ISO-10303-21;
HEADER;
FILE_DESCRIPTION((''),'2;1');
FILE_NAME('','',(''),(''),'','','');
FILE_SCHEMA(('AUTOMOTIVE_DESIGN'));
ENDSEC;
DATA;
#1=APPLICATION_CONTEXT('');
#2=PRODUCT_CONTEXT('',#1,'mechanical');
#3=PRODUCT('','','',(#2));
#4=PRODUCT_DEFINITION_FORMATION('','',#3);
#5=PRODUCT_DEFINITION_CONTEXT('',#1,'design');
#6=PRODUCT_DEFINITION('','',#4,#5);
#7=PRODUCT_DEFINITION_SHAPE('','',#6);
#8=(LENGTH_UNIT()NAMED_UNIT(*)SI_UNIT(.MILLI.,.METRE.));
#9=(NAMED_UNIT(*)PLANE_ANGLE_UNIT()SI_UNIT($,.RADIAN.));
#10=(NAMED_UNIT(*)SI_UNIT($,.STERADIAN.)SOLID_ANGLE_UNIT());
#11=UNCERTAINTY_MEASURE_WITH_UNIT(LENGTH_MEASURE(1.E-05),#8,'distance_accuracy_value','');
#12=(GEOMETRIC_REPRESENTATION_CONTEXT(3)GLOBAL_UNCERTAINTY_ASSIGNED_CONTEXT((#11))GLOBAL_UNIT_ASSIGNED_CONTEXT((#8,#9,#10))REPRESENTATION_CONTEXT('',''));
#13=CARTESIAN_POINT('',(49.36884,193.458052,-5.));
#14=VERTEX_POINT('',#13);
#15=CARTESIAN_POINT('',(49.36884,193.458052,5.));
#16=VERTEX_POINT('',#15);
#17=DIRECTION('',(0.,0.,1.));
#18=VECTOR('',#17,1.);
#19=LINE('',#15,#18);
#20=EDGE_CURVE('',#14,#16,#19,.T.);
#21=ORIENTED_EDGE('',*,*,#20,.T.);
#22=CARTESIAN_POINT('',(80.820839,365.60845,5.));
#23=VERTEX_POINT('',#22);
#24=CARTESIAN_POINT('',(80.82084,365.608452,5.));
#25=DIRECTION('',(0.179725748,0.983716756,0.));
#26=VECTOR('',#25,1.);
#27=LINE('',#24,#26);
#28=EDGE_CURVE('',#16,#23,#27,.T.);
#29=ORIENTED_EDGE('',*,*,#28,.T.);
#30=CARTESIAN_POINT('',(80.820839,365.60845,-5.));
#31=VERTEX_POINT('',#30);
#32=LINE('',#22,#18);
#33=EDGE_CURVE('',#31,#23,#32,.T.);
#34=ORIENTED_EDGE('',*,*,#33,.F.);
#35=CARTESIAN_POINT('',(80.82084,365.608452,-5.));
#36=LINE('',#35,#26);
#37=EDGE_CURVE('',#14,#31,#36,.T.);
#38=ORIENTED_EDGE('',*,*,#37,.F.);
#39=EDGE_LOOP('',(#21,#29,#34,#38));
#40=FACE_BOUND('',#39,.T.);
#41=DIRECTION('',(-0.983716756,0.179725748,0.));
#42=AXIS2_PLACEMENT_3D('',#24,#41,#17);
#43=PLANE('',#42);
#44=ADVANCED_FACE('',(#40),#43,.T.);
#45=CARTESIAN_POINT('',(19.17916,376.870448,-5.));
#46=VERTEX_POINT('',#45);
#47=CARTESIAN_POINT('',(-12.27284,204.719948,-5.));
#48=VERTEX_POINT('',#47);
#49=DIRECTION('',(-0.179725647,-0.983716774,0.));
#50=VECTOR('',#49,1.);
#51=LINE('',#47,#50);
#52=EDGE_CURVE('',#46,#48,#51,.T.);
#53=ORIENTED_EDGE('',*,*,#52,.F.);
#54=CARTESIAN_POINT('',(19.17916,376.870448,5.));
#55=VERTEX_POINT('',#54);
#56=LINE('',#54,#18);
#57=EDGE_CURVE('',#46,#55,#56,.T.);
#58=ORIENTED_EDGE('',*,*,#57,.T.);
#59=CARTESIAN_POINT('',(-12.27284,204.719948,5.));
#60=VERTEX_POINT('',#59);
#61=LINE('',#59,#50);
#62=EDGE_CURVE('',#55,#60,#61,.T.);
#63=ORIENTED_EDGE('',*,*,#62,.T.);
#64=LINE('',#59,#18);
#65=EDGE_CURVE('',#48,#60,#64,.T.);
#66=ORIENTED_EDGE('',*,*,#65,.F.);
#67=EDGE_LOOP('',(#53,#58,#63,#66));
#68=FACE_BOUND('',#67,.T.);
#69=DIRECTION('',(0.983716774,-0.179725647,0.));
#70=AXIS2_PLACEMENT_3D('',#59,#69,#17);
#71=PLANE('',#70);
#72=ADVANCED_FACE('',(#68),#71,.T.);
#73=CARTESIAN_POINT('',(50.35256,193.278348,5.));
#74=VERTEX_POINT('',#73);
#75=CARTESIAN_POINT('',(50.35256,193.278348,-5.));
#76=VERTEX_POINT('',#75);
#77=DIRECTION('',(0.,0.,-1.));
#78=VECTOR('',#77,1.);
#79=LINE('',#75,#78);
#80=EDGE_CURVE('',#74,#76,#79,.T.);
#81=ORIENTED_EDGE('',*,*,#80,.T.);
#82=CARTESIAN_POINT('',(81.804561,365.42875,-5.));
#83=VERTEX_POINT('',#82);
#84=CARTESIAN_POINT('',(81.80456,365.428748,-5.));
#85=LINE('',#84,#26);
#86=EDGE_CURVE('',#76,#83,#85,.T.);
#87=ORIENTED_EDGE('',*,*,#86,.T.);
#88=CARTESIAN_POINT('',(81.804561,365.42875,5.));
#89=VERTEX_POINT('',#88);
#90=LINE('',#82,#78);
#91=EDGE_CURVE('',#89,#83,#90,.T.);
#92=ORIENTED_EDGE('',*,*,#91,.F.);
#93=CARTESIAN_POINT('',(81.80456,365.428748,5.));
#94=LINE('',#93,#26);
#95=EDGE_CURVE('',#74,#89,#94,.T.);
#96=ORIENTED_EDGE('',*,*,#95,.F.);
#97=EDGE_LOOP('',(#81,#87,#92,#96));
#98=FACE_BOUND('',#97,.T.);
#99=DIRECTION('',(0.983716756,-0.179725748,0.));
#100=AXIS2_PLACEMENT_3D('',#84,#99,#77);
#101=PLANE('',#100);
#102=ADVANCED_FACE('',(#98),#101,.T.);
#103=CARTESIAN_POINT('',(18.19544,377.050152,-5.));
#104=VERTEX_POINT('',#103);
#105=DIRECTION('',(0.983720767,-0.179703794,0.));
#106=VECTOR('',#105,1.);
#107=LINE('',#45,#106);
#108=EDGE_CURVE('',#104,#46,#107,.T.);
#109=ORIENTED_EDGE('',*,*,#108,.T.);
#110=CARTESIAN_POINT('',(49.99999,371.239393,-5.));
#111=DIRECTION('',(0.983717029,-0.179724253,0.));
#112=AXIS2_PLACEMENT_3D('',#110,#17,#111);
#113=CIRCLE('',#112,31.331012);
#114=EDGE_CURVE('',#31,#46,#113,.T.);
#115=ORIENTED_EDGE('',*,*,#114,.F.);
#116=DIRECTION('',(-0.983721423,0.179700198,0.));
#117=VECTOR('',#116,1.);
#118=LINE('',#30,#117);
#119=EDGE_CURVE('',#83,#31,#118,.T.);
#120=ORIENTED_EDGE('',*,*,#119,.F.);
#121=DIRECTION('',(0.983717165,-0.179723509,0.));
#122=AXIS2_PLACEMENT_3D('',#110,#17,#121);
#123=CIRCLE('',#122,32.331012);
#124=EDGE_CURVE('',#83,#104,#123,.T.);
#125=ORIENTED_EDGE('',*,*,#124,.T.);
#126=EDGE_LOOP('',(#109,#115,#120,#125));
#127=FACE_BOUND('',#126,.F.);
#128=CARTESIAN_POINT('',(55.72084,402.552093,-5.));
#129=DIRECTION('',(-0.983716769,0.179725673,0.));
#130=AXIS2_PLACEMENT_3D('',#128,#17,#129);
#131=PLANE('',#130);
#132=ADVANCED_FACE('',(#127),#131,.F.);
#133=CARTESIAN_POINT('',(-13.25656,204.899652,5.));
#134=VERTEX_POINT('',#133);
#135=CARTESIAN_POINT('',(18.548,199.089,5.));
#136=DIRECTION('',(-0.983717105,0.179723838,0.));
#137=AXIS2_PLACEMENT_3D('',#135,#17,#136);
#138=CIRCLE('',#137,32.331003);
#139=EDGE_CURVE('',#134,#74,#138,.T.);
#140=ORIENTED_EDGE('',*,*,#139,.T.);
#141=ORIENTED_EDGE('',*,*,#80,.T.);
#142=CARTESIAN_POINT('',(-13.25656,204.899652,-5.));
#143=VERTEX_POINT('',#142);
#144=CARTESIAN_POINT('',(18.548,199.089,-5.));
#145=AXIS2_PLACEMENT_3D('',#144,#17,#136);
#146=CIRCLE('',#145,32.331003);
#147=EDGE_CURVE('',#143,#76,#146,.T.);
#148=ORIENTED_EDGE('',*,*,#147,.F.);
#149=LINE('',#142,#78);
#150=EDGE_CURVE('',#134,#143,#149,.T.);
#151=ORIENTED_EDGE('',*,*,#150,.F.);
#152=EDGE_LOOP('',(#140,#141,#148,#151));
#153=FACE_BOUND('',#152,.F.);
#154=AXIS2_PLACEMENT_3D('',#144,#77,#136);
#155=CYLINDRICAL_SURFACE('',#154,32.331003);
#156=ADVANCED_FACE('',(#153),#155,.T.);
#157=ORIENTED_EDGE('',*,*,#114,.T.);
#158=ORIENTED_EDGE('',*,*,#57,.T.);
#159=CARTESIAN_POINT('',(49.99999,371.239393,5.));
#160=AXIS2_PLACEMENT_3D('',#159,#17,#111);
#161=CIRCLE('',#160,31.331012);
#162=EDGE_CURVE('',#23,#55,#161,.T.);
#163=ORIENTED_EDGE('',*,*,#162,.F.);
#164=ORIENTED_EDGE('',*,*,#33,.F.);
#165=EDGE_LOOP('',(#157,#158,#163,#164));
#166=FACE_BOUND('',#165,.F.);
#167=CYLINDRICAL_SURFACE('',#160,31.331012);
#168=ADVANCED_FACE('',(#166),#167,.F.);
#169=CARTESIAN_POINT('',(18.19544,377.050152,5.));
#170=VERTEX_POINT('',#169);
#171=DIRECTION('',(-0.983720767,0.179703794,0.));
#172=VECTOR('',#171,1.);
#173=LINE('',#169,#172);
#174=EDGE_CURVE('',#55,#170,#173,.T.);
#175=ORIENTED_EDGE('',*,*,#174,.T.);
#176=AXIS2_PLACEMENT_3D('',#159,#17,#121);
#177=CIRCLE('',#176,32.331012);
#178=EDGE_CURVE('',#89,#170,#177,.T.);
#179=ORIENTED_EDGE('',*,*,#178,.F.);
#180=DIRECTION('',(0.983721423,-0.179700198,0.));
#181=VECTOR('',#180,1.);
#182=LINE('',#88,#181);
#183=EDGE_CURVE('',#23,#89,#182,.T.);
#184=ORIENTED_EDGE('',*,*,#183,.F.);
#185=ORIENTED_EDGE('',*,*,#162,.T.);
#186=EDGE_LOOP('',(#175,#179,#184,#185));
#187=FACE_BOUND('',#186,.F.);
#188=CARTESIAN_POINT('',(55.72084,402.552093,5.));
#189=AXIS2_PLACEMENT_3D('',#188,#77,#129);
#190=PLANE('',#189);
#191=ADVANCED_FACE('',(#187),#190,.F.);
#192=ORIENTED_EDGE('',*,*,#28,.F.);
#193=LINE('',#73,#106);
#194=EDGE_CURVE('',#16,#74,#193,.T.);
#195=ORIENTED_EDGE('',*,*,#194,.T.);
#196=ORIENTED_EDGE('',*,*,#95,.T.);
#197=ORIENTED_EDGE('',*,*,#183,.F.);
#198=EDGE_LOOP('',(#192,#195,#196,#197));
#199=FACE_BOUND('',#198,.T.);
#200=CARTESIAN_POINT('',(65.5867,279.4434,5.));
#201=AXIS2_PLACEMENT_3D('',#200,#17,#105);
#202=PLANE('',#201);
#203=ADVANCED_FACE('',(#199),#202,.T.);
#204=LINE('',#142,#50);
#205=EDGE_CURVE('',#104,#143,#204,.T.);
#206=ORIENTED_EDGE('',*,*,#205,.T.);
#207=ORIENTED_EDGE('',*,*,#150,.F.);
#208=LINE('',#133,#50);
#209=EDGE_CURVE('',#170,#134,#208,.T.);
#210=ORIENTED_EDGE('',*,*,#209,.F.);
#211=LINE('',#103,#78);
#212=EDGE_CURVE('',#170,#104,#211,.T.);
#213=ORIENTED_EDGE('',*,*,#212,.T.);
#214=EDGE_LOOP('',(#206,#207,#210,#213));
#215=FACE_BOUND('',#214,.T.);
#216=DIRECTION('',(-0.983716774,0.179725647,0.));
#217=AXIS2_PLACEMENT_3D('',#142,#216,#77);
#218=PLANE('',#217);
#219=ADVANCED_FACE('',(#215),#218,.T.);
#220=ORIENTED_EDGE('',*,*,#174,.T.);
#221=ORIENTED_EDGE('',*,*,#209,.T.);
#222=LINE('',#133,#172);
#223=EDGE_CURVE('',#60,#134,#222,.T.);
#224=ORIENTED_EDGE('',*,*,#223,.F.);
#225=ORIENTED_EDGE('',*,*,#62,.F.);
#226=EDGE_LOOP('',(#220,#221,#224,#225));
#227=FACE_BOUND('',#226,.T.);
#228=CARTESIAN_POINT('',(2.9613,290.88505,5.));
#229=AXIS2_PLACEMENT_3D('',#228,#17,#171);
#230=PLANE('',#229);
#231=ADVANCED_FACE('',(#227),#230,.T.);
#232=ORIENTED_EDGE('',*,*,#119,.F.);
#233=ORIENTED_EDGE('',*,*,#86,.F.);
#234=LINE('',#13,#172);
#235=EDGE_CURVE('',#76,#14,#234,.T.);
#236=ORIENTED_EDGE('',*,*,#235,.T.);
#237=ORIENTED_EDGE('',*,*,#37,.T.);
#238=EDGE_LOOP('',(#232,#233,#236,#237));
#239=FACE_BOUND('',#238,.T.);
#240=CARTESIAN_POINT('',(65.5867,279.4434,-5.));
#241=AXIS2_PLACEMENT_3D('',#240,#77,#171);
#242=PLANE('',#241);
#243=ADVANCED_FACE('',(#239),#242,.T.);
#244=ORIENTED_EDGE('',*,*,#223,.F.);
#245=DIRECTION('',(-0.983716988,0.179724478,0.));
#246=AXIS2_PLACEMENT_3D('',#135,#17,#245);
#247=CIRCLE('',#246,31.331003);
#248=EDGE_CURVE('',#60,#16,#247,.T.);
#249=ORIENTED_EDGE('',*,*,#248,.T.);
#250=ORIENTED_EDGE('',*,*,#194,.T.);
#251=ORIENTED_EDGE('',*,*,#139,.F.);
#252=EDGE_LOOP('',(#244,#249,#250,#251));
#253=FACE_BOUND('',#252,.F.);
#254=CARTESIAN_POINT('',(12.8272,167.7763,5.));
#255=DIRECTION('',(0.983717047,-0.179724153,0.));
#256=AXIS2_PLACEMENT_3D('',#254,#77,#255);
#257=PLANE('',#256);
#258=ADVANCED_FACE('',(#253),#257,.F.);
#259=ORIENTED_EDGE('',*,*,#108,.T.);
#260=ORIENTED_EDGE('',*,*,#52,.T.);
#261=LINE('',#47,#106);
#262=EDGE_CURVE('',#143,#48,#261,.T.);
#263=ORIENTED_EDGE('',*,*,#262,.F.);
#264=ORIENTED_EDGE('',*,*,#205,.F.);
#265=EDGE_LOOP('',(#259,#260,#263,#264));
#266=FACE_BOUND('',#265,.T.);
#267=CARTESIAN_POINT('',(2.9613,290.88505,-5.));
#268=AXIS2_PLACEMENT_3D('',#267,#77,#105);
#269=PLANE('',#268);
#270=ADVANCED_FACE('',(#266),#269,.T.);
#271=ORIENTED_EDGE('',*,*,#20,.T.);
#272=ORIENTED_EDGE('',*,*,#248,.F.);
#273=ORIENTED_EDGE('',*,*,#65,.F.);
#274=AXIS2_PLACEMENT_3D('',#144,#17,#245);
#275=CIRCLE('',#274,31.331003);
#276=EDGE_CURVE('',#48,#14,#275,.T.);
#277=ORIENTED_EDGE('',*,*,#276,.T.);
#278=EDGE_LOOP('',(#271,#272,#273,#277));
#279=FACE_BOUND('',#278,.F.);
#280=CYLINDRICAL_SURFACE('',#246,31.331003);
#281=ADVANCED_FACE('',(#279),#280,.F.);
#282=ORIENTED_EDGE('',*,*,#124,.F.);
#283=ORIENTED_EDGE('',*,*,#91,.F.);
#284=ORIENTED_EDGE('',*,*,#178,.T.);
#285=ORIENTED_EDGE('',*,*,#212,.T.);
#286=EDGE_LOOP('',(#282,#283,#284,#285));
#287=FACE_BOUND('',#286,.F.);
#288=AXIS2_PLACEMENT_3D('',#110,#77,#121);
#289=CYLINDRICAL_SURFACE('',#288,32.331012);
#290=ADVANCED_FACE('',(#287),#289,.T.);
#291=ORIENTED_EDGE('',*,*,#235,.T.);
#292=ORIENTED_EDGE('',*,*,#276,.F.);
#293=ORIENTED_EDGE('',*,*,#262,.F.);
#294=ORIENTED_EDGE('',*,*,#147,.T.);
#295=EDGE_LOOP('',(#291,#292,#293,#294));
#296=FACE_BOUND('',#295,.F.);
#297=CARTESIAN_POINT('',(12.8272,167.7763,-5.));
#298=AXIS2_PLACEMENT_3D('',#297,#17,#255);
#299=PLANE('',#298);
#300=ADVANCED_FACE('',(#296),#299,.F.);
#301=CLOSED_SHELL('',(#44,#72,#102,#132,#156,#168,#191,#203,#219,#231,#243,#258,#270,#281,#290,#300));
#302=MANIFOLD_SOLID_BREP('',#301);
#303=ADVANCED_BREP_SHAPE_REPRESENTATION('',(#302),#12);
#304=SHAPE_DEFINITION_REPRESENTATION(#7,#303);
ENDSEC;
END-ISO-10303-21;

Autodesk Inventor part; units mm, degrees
sketch "Sketch Path" plane through (0, 0, 0) normal (0, 0, 1) x (1, 0, 0)
  arc A0 (-12.7647, 204.8098) -> (49.8607, 193.3682) centre (18.548, 199.089) ccw
  arc A1 (81.3127, 365.5186) -> (18.6873, 376.9603) centre (50, 371.2394) ccw
  line L0 (81.3127, 365.5186) -> (49.8607, 193.3682)
  line L1 (-12.7647, 204.8098) -> (18.6873, 376.9603)
ref_plane "Cross Section Plane" through (49.8607, 193.3682, 0) normal (0.1797, 0.9837, 0) x (0, 0, 1)
ref_plane "Work Plane2" through (18.548, 199.089, 0) normal (-1, 0, 0) x (0, 0, 1)
ref_plane "Work Plane3" through (50, 371.2394, 0) normal (-0.309, -0.9511, 0) x (0, 0, 1)
sketch "Cross Section" plane through (49.8607, 193.3682, 0) normal (0.1797, 0.9837, 0) x (0, 0, 1)
  line L0 (-5, 0.5) -> (5, 0.5)
  line L1 (5, 0.5) -> (5, -0.5)
  line L2 (5, -0.5) -> (-5, -0.5)
  line L3 (-5, -0.5) -> (-5, 0.5)
  line L4 (-5, 0) -> (5, 0) construction
  point P0 (0, 0)
  point P1 (0, 0)
  dimension "d0" = 10
  dimension "d4" = 0.5
  dimension "d5" = 0.5
sweep "Belt" add profiles "Cross Section" path "Sketch Path"
equation "\"d0\" = da_B"
equation "\"d4\" = da_a"
equation "\"d5\" = da_a2"
equation "\"da_B\" = 10"
equation "\"da_pb\" = 5"
equation "\"da_a\" = 0.5"
equation "\"da_S\" = 2.65"
equation "\"da_Beta\" = 20deg"
equation "\"da_Ht\" = 1.2"
equation "\"da_H\" = 2.2"
equation "\"da_a2\" = 0.5"
properties part number "Synchronous Belt" material "Rubber"
